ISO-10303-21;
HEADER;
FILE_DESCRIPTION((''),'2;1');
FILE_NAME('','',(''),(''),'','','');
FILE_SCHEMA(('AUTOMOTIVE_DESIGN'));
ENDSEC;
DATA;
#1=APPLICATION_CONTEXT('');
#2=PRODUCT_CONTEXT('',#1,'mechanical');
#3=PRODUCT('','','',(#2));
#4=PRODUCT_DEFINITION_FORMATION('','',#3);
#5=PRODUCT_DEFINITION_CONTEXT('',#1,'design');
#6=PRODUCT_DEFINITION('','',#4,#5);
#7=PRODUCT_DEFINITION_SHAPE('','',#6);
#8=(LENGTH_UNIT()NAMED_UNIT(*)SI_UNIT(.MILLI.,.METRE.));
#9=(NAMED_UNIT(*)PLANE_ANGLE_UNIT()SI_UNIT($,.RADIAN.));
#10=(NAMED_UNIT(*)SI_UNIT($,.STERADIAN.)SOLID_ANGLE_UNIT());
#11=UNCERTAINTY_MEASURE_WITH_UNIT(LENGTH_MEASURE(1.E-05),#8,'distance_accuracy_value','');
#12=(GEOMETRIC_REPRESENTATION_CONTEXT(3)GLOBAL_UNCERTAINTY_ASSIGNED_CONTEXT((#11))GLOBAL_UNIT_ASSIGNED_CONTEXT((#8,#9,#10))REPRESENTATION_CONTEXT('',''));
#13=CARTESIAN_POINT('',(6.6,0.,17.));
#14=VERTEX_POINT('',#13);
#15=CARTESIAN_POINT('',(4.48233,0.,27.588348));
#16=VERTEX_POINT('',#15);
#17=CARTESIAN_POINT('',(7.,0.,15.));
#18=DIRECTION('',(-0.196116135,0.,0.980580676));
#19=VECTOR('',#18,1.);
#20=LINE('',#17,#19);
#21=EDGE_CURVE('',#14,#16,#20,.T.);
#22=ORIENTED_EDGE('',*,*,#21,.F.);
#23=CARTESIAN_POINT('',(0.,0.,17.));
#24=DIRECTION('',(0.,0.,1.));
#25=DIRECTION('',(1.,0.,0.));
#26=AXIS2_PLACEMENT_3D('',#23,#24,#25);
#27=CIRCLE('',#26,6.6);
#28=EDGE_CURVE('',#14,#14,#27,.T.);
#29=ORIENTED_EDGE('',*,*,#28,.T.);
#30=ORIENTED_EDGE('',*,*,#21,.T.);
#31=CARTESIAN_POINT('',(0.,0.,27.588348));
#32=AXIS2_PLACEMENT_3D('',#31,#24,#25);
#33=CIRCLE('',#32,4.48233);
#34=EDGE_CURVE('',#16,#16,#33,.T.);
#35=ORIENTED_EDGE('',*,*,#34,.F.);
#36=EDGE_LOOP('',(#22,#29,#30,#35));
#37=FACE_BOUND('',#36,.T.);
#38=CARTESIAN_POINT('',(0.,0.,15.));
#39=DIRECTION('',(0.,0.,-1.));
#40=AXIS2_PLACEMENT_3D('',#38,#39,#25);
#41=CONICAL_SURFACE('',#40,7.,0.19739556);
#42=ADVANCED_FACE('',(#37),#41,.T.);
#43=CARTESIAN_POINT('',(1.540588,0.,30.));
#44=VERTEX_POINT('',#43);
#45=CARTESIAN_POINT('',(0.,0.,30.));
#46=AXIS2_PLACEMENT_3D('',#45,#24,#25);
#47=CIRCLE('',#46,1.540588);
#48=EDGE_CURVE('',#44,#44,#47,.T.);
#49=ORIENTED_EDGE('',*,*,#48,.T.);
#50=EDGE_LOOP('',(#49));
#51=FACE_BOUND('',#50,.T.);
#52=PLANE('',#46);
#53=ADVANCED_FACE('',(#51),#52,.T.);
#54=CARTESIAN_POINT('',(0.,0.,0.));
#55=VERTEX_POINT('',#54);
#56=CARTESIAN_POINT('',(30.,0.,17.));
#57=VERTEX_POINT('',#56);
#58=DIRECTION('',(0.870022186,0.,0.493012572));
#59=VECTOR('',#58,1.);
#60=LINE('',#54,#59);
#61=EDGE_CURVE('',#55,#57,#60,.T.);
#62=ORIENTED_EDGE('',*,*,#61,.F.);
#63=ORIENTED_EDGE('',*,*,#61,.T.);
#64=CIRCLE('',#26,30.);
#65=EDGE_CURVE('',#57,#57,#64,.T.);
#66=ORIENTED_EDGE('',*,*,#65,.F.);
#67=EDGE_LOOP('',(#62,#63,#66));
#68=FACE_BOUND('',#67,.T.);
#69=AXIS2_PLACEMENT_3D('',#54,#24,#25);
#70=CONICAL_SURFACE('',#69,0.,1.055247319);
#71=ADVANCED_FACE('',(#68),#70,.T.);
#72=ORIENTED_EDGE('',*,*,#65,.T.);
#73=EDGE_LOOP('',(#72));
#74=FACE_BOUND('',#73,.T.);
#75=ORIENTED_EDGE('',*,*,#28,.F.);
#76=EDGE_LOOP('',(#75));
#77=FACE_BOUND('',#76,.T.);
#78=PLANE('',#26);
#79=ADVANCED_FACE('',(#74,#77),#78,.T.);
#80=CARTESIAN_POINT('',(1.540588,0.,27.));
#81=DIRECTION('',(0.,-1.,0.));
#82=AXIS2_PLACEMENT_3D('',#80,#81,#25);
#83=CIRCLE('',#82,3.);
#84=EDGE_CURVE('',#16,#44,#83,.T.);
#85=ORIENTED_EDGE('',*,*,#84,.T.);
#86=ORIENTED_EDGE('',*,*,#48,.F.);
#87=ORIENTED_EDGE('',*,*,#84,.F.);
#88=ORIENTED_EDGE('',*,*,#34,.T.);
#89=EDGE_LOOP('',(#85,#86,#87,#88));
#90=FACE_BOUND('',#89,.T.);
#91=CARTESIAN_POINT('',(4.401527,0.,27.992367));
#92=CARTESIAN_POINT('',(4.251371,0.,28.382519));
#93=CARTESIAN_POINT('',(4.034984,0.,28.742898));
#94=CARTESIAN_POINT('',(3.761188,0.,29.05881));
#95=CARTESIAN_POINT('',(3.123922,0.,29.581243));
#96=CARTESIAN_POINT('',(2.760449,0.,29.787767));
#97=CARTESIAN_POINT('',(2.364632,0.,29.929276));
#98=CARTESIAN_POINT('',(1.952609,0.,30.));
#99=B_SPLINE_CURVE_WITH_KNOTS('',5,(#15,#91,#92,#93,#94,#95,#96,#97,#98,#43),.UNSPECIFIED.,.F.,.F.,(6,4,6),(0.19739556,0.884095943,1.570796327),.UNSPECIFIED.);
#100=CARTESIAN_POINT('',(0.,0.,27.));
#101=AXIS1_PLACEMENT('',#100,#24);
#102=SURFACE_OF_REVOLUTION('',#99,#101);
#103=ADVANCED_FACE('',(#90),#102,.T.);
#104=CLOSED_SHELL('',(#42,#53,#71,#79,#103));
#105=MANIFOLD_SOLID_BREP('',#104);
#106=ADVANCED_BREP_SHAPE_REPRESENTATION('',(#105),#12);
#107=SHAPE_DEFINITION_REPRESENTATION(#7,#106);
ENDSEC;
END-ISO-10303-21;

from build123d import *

# Parameters (mm, degrees)
FILLET_R = 3


with BuildPart() as cono:
    # Cone → Cone (revolve)
    with BuildSketch(Plane.XZ):
        Polygon((0, 0), (30, 17), (0, 17), align=None)
    revolve(axis=Axis((0, 0, 0), (0, 0, 1)))


with BuildPart() as fillet_body:
    # Cone001 → Cone001 (revolve)
    with BuildSketch(Plane(origin=(0, 0, 15), x_dir=(1, 0, 0), z_dir=(0, -1, 0))):
        Polygon((0, 0), (7, 0), (4, 15), (0, 15), align=None)
    revolve(axis=Axis((0, 0, 15), (0, 0, 1)))

    # Fusion: union Cono
    add(cono.part)

    # Fillet
    fillet_edges = [fillet_body.edges().sort_by_distance(p)[0] for p in [
        (-4, 0, 30),
    ]]
    fillet(fillet_edges, radius=FILLET_R)


solid = fillet_body.part
